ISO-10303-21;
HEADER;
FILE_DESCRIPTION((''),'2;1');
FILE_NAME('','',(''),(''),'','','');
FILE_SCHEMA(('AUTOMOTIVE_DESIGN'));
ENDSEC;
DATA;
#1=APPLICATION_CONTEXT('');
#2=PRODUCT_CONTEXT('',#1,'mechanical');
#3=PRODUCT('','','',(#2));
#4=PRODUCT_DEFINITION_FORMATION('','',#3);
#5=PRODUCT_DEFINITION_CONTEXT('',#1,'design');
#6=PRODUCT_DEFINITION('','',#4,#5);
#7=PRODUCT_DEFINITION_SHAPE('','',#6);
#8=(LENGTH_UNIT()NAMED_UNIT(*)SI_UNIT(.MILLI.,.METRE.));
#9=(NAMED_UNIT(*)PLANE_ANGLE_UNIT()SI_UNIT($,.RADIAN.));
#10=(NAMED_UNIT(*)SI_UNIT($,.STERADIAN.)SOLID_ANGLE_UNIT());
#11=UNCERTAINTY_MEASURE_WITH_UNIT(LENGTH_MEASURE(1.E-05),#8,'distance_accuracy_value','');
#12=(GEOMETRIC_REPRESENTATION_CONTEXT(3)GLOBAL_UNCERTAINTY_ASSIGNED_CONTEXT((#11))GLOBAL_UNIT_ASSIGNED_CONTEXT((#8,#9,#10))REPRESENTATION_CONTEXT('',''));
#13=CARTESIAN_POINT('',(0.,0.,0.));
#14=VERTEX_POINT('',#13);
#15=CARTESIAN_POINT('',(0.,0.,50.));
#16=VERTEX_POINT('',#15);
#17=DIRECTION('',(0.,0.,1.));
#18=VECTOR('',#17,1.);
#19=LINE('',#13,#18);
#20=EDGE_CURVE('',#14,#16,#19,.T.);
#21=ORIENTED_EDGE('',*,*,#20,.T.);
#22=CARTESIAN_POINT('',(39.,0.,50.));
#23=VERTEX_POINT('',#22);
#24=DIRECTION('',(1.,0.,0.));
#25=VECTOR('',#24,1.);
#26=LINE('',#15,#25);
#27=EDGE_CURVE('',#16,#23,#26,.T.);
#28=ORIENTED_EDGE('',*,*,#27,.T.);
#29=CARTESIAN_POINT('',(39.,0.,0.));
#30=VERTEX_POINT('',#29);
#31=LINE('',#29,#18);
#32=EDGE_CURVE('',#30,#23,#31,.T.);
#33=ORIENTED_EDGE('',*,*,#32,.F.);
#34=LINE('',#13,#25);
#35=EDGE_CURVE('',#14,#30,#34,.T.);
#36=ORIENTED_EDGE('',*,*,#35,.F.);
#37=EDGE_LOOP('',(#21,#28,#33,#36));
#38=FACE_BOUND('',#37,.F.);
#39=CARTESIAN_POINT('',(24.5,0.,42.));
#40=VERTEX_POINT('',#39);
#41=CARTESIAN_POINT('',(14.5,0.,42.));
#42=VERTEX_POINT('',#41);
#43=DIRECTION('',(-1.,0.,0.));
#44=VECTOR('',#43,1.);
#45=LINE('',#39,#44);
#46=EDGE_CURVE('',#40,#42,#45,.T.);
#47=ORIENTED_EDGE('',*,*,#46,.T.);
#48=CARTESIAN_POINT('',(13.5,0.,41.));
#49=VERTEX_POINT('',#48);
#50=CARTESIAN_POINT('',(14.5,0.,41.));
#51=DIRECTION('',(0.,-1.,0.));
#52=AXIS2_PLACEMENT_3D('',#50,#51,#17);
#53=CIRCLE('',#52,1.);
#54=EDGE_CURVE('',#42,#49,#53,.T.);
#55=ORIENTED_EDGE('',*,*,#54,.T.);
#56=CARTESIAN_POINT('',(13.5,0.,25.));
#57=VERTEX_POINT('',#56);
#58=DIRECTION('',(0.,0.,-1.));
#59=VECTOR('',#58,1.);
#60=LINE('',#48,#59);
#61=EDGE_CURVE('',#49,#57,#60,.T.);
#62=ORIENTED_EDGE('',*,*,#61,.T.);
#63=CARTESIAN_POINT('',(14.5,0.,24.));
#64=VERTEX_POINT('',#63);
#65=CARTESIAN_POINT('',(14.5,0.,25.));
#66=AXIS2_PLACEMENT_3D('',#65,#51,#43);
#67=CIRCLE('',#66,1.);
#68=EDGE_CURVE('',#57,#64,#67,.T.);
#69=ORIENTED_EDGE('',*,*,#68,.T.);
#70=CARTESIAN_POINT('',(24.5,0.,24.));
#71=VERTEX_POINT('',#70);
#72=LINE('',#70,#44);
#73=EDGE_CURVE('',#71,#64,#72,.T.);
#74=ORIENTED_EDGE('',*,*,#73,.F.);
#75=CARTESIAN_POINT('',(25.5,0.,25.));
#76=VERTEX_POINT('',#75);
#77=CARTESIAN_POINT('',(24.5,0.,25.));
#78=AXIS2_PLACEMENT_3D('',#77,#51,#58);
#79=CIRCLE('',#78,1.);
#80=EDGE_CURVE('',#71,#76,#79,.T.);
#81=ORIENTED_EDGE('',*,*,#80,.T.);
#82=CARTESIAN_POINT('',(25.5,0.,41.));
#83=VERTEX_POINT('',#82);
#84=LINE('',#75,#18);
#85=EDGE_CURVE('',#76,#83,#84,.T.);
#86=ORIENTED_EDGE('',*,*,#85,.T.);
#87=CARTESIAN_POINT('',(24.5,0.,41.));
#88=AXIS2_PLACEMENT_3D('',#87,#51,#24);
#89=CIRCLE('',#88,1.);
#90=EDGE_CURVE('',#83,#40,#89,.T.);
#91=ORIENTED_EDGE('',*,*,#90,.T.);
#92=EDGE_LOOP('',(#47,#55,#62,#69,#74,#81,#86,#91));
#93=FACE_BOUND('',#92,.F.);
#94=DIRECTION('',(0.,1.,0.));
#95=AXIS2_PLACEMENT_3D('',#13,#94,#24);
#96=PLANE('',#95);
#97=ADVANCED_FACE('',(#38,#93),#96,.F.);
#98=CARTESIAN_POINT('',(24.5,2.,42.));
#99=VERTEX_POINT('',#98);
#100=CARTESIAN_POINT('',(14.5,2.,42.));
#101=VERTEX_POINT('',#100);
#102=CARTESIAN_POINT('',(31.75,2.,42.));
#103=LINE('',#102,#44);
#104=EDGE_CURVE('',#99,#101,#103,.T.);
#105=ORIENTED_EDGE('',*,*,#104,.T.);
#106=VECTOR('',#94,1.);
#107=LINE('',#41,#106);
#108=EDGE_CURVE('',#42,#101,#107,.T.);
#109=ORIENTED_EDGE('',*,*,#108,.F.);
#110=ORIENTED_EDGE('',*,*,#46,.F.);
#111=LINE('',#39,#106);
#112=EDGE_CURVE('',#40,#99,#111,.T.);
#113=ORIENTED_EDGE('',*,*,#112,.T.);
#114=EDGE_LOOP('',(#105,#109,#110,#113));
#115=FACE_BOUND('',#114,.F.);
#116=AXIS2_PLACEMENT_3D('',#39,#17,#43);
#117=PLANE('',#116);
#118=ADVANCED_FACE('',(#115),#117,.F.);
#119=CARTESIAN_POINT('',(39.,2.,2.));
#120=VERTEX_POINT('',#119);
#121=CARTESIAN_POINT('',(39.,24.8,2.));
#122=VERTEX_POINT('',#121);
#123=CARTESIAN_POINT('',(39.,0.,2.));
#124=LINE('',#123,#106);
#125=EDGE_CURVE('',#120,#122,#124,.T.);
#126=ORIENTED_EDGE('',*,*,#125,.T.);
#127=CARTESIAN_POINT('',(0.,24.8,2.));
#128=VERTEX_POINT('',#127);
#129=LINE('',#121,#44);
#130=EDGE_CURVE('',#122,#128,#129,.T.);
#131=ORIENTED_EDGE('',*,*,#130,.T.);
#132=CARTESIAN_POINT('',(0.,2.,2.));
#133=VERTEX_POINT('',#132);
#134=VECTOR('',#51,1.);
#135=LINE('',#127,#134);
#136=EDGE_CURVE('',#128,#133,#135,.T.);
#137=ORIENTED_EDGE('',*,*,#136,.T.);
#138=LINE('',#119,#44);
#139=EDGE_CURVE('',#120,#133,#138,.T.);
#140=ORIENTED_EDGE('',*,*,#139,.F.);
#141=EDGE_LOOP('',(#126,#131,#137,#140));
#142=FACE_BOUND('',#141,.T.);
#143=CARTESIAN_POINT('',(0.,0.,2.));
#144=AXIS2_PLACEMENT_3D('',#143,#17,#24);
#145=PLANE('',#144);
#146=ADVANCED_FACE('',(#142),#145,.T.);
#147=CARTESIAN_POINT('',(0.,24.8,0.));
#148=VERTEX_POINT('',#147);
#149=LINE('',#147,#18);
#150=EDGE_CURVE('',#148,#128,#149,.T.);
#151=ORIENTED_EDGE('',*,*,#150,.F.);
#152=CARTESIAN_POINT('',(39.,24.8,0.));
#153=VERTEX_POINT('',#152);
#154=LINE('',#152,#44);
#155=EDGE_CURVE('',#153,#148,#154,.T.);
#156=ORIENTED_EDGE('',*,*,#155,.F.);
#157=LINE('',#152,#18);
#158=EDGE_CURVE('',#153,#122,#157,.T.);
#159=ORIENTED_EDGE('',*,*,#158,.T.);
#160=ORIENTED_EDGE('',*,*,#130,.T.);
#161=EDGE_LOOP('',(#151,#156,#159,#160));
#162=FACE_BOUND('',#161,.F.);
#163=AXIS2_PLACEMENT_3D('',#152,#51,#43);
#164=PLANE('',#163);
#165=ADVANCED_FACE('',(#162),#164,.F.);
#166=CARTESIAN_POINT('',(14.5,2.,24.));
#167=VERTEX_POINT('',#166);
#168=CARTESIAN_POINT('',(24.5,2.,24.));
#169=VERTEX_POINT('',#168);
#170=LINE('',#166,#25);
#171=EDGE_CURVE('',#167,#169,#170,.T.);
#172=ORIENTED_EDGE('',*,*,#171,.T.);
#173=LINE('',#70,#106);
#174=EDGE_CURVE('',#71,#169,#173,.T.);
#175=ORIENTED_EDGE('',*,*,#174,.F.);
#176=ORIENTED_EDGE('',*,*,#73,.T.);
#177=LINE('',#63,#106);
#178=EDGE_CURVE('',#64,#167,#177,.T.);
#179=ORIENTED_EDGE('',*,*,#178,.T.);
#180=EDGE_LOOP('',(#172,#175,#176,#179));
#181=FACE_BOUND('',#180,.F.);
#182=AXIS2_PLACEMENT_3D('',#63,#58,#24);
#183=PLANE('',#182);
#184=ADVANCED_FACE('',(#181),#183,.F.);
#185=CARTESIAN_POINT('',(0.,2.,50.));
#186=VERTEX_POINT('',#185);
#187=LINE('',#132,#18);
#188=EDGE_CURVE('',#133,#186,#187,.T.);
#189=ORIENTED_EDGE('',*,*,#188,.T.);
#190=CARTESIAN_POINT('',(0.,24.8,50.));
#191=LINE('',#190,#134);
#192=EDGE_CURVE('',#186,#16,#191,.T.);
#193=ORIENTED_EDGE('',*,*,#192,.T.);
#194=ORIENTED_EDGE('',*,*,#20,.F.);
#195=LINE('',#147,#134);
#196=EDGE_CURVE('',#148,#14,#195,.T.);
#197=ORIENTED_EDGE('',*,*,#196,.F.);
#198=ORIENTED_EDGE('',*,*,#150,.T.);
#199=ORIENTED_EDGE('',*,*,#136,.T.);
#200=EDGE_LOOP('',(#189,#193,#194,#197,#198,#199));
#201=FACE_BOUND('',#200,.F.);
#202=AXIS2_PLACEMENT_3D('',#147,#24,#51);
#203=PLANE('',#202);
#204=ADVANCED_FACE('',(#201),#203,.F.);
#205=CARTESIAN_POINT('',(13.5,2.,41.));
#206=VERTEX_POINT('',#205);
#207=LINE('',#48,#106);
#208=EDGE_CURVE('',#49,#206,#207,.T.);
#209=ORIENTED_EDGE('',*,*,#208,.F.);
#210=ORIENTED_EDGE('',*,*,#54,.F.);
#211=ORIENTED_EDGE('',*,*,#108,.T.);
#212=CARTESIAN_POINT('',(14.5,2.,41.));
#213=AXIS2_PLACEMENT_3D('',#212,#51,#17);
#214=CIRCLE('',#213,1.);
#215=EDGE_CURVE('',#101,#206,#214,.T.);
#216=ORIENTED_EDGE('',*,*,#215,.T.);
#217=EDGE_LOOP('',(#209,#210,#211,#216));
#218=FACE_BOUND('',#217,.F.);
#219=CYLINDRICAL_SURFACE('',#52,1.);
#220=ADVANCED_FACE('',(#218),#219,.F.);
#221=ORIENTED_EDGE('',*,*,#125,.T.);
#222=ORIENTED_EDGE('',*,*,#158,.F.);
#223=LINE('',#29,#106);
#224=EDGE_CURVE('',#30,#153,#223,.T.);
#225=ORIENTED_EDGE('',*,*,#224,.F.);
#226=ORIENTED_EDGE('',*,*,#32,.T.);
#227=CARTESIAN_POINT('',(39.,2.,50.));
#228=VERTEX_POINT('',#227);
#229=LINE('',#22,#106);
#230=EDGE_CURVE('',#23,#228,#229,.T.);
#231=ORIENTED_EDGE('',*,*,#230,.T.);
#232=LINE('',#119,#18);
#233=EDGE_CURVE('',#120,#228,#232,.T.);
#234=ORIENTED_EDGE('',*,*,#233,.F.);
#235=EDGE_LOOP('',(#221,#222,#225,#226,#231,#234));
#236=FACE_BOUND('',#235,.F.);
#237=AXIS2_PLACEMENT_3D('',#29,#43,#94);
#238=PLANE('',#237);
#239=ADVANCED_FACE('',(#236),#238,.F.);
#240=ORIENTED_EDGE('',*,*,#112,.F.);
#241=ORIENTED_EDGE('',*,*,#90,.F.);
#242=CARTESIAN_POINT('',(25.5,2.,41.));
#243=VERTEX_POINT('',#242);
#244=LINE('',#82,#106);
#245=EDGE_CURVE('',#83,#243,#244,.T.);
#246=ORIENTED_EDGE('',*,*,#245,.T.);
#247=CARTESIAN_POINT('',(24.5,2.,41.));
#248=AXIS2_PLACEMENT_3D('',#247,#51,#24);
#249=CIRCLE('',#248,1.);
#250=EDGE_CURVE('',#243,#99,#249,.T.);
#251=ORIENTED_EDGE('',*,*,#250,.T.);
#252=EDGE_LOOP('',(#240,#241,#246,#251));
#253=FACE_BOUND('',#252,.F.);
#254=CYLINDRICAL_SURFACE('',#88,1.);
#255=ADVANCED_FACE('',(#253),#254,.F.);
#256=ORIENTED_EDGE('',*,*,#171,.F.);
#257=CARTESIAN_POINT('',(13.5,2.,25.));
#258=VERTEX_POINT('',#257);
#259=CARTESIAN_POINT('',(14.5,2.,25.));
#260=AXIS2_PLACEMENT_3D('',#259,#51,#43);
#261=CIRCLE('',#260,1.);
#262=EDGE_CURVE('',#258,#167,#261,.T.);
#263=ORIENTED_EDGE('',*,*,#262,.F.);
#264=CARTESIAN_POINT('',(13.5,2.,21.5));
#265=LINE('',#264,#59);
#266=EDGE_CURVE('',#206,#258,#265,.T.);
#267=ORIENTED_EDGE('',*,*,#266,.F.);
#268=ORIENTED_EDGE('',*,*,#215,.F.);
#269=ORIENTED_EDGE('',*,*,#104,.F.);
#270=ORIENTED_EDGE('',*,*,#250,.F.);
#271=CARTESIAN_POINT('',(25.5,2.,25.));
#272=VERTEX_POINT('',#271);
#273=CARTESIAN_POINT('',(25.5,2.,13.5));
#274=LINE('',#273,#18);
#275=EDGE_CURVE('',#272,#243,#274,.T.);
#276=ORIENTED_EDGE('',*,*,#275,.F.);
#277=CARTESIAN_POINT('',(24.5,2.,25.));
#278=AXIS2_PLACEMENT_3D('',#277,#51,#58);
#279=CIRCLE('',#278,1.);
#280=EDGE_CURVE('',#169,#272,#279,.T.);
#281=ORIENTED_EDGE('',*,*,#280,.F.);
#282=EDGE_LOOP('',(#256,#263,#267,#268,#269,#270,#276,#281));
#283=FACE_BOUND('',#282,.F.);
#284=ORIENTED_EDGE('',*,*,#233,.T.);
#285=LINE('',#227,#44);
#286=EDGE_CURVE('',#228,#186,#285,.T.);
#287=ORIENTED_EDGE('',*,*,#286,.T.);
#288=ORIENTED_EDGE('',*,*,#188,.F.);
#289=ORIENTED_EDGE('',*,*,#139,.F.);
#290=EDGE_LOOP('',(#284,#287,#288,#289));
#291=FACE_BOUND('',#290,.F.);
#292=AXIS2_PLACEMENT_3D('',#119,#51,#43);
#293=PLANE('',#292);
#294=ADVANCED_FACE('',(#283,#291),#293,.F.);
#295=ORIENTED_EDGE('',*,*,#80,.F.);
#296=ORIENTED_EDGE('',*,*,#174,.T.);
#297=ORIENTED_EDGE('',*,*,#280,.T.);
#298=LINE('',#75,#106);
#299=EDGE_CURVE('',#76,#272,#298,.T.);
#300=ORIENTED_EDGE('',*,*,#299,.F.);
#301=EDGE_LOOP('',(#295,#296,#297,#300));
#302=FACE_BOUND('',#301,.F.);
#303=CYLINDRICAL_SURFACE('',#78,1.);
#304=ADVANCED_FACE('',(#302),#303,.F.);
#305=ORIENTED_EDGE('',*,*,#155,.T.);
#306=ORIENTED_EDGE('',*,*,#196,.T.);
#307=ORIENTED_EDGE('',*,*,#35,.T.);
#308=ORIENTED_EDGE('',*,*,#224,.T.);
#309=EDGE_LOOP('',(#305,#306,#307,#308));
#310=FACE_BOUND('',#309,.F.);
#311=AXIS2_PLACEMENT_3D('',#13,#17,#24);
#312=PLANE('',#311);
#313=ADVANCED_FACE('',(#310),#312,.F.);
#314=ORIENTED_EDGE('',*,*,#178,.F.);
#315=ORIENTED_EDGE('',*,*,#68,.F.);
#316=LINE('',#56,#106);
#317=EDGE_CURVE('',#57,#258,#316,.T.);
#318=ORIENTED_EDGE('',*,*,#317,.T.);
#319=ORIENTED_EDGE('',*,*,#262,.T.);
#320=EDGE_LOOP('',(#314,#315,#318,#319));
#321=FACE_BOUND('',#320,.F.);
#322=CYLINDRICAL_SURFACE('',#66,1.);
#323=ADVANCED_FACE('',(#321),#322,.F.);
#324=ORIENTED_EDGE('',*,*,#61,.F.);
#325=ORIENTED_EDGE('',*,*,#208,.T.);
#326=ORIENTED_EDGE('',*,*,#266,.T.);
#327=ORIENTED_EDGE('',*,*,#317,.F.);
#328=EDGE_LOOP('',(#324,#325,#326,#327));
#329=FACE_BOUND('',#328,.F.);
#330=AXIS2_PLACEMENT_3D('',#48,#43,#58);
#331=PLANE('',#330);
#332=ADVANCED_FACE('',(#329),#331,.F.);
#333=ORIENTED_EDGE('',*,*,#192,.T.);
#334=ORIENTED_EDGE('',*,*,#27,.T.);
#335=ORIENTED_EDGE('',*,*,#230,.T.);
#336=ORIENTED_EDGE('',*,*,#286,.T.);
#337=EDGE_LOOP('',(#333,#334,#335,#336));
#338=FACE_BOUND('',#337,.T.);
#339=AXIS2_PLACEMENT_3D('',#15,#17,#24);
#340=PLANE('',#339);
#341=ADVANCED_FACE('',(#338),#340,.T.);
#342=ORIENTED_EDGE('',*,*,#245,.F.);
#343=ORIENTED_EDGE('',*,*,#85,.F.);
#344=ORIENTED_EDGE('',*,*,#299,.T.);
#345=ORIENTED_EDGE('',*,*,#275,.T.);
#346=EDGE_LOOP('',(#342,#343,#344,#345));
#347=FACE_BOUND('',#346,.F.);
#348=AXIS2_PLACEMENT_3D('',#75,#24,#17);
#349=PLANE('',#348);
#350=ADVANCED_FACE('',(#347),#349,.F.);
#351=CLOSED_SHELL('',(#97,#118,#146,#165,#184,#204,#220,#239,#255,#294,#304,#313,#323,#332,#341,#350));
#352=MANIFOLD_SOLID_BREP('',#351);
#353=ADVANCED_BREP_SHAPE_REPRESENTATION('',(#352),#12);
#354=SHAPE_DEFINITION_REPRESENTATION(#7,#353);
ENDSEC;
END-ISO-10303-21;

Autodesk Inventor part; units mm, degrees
ref_plane "YZ Plane" through (0, 0, 0) normal (1, 0, 0) x (0, 1, 0)
ref_plane "XZ Plane" through (0, 0, 0) normal (0, 1, 0) x (-1, 0, 0)
ref_plane "XY Plane" through (0, 0, 0) normal (0, 0, 1) x (1, 0, 0)
sketch "Sketch1" plane through (0, 0, 0) normal (0, 0, 1) x (1, 0, 0)
  line L0 (0, 0) -> (39, 0)
  line L1 (39, 0) -> (39, 24.8)
  line L2 (39, 24.8) -> (0, 24.8)
  line L3 (0, 24.8) -> (0, 0)
  dimension "d0" = 39
  dimension "d1" = 24.8
extrude "Extrusion1" add sketch "Sketch1" along normal blind 2
sketch "Sketch2" plane through (0, 0, 2) normal (0, 0, 1) x (1, 0, 0)
  line L0 (0, 24.8) -> (0, 0) projected
  line L1 (0, 0) -> (39, 0)
  line L2 (39, 0) -> (39, 2)
  line L3 (39, 2) -> (0, 2)
  line L4 (0, 2) -> (0, 0)
  dimension "d4" = 39
  dimension "d5" = 2
extrude "Extrusion2" add sketch "Sketch2" along normal blind 48
sketch "Sketch3" plane through (0, 0, 0) normal (0, -1, 0) x (1, 0, 0)
  line L0 (0, 0) -> (39, 0) projected
  line L1 (19.5, 24) -> (24.5, 24)
  line L2 (25.5, 25) -> (25.5, 41)
  line L3 (24.5, 42) -> (14.5, 42)
  line L4 (13.5, 41) -> (13.5, 25)
  line L5 (14.5, 24) -> (19.5, 24)
  arc A0 (14.5, 42) -> (13.5, 41) centre (14.5, 41) ccw
  arc A1 (24.5, 24) -> (25.5, 25) centre (24.5, 25) ccw
  arc A2 (25.5, 41) -> (24.5, 42) centre (24.5, 41) ccw
  arc A3 (13.5, 25) -> (14.5, 24) centre (14.5, 25) ccw
  point P0 (25.5, 24)
  point P1 (25.5, 42)
  point P2 (13.5, 42)
  point P3 (13.5, 24)
  dimension "d9" = 6
  dimension "d10" = 18
  dimension "d11" = 12
  dimension "d12" = 18
  dimension "d13" = 1
extrude "Extrusion3" cut sketch "Sketch3" against normal blind 48
properties part number "Kamera 2"
